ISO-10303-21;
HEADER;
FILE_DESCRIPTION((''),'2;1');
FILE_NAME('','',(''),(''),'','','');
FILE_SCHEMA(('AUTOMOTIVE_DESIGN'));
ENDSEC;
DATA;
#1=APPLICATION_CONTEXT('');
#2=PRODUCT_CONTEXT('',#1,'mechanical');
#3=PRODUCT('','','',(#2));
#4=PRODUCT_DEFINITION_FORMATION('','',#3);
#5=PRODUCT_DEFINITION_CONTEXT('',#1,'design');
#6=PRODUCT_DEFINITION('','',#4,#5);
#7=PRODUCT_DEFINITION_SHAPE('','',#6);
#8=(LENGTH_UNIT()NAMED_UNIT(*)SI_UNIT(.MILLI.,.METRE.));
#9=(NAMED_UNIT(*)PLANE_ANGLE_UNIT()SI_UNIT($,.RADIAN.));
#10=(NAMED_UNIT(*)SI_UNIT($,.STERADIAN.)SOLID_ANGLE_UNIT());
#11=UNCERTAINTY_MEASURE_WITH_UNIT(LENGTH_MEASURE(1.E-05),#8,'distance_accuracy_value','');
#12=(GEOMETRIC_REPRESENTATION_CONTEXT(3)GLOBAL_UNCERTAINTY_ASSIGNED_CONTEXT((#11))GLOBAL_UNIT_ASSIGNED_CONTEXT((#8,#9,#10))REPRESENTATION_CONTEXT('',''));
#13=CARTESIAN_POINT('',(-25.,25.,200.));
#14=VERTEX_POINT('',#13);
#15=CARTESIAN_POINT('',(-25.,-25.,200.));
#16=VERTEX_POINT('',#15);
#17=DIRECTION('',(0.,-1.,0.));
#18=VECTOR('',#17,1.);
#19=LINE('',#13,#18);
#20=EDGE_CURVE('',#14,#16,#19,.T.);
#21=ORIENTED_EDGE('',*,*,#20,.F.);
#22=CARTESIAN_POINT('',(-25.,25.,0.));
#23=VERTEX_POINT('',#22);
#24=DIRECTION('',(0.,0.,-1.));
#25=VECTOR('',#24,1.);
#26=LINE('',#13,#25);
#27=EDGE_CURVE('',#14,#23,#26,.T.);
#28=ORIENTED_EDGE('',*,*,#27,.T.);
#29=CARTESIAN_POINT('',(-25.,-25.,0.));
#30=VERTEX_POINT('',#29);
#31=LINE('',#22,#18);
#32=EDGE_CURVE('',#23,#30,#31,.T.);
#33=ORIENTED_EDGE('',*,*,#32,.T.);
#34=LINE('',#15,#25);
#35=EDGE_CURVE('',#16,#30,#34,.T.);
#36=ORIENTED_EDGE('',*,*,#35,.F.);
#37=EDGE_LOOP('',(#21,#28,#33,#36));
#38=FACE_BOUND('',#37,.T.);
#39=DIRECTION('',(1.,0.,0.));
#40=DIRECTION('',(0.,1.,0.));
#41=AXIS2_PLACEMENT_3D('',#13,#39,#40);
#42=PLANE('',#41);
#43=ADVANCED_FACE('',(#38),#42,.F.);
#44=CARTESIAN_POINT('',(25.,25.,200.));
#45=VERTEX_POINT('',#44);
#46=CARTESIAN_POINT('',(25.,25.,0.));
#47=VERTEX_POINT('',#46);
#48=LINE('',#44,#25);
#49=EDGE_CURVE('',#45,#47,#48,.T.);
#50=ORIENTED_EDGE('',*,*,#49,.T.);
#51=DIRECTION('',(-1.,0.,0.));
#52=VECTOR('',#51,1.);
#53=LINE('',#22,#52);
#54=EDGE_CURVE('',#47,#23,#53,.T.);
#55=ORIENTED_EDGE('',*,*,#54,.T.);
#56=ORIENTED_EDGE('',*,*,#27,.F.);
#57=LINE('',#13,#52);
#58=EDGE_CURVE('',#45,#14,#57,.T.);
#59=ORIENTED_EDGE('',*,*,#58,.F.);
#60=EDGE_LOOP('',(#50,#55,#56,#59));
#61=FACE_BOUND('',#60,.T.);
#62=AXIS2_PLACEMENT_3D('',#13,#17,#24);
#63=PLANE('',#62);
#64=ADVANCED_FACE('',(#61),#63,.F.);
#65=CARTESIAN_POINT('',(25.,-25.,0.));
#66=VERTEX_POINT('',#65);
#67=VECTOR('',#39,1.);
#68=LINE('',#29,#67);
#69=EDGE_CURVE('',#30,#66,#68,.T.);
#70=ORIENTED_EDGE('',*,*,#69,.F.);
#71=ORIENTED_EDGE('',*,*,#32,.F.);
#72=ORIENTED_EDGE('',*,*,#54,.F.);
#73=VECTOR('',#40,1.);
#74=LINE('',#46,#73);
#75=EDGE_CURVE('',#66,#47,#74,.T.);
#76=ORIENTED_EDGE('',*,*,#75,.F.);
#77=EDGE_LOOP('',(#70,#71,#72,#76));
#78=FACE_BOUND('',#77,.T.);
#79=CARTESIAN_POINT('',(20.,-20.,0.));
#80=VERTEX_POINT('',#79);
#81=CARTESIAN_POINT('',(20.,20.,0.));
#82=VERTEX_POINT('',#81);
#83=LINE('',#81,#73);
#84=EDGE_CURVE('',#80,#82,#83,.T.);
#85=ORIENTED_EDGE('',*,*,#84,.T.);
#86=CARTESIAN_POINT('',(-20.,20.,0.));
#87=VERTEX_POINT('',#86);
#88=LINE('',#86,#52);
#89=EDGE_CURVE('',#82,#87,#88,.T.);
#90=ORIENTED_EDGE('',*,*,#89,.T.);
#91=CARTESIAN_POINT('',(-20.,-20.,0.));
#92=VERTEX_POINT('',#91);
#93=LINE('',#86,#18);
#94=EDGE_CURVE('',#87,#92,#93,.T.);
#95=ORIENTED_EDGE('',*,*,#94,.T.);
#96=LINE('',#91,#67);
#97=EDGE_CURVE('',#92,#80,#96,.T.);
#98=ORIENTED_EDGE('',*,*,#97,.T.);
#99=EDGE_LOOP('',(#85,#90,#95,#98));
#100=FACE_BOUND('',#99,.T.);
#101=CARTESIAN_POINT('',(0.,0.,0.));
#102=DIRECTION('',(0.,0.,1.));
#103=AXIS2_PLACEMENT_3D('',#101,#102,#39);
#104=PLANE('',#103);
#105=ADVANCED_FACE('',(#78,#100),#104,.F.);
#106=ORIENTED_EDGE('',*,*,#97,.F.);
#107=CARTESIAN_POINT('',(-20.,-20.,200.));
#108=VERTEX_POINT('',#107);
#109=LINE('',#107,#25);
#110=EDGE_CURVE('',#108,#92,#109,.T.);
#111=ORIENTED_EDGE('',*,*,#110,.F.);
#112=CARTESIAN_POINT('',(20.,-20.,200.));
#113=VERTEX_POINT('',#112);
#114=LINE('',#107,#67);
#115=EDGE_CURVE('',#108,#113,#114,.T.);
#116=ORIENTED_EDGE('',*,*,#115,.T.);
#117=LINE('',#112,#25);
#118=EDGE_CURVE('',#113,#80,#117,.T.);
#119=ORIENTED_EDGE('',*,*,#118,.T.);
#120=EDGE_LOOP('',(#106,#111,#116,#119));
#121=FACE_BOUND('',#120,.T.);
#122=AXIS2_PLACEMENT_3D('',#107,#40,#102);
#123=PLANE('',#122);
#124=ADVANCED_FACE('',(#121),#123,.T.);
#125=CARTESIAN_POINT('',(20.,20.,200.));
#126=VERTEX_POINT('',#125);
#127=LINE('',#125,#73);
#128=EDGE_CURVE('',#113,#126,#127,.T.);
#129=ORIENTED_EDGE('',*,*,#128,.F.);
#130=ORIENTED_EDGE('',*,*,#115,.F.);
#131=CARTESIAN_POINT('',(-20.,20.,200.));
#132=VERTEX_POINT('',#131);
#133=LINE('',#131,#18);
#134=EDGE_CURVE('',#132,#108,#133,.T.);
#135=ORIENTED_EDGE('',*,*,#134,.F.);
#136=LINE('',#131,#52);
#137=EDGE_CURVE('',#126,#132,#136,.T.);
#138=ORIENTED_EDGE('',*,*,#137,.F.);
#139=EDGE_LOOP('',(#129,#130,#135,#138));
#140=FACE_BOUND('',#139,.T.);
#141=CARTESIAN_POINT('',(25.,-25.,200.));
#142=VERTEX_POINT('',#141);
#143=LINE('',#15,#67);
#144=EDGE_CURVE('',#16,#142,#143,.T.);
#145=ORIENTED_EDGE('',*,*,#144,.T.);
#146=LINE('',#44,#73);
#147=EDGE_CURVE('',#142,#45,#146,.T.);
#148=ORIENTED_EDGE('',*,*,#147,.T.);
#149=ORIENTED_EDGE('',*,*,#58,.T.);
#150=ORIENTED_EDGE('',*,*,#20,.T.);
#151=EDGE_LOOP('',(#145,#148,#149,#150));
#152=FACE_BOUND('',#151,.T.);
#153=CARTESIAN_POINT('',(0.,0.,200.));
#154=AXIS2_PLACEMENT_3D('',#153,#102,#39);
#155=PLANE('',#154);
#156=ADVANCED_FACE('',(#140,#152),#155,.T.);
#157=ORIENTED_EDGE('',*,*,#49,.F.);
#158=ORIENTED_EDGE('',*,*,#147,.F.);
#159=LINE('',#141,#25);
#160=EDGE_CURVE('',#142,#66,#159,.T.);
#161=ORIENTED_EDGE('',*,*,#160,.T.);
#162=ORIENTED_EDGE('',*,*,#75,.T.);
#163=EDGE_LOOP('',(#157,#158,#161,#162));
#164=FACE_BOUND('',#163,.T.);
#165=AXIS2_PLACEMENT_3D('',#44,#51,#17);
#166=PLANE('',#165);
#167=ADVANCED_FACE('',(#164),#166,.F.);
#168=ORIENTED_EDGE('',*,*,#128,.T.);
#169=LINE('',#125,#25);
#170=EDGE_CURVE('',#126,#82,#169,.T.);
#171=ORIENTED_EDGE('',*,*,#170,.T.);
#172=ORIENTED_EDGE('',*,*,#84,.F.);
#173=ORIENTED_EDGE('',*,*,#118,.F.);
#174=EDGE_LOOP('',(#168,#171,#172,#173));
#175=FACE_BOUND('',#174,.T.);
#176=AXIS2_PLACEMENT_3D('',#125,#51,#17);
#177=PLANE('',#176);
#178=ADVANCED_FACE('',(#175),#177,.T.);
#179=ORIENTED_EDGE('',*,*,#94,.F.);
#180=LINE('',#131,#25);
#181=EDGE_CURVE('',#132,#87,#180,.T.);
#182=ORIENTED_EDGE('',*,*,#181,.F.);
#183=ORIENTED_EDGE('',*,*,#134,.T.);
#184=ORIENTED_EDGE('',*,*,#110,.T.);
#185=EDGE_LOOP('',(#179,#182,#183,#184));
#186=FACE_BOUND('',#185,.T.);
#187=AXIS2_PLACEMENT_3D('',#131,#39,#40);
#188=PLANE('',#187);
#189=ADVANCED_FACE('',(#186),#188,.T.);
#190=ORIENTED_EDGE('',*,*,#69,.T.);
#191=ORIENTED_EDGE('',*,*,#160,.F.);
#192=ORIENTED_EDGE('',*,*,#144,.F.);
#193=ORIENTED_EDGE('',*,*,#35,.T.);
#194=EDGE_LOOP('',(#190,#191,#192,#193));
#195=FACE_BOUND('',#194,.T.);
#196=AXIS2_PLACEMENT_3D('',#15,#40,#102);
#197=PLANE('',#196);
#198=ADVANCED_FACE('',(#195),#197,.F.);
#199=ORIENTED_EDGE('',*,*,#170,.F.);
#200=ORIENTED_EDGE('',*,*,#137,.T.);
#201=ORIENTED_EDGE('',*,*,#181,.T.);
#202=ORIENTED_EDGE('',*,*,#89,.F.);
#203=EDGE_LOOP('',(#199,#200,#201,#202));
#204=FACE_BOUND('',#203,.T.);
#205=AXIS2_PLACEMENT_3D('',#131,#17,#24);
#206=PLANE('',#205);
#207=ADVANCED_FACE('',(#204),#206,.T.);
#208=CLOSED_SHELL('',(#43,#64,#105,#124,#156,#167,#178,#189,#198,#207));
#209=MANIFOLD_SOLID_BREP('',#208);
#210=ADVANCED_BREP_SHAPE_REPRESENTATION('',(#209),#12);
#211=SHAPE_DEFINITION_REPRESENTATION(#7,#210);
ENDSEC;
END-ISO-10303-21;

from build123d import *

# Parameters (mm, degrees)
SKETCH1_W           = 50
SKETCH1_H           = 50
SKETCH1_W_2         = 40
SKETCH1_H_2         = 40
BOSS_EXTRUDE1_DEPTH = 200


with BuildPart() as part:
    # Sketch1 → Boss-Extrude1 (new body)
    with BuildSketch(Plane.XY):
        Rectangle(SKETCH1_W, SKETCH1_H)
        Rectangle(SKETCH1_W_2, SKETCH1_H_2, mode=Mode.SUBTRACT)
    extrude(amount=BOSS_EXTRUDE1_DEPTH)


solid = part.part
